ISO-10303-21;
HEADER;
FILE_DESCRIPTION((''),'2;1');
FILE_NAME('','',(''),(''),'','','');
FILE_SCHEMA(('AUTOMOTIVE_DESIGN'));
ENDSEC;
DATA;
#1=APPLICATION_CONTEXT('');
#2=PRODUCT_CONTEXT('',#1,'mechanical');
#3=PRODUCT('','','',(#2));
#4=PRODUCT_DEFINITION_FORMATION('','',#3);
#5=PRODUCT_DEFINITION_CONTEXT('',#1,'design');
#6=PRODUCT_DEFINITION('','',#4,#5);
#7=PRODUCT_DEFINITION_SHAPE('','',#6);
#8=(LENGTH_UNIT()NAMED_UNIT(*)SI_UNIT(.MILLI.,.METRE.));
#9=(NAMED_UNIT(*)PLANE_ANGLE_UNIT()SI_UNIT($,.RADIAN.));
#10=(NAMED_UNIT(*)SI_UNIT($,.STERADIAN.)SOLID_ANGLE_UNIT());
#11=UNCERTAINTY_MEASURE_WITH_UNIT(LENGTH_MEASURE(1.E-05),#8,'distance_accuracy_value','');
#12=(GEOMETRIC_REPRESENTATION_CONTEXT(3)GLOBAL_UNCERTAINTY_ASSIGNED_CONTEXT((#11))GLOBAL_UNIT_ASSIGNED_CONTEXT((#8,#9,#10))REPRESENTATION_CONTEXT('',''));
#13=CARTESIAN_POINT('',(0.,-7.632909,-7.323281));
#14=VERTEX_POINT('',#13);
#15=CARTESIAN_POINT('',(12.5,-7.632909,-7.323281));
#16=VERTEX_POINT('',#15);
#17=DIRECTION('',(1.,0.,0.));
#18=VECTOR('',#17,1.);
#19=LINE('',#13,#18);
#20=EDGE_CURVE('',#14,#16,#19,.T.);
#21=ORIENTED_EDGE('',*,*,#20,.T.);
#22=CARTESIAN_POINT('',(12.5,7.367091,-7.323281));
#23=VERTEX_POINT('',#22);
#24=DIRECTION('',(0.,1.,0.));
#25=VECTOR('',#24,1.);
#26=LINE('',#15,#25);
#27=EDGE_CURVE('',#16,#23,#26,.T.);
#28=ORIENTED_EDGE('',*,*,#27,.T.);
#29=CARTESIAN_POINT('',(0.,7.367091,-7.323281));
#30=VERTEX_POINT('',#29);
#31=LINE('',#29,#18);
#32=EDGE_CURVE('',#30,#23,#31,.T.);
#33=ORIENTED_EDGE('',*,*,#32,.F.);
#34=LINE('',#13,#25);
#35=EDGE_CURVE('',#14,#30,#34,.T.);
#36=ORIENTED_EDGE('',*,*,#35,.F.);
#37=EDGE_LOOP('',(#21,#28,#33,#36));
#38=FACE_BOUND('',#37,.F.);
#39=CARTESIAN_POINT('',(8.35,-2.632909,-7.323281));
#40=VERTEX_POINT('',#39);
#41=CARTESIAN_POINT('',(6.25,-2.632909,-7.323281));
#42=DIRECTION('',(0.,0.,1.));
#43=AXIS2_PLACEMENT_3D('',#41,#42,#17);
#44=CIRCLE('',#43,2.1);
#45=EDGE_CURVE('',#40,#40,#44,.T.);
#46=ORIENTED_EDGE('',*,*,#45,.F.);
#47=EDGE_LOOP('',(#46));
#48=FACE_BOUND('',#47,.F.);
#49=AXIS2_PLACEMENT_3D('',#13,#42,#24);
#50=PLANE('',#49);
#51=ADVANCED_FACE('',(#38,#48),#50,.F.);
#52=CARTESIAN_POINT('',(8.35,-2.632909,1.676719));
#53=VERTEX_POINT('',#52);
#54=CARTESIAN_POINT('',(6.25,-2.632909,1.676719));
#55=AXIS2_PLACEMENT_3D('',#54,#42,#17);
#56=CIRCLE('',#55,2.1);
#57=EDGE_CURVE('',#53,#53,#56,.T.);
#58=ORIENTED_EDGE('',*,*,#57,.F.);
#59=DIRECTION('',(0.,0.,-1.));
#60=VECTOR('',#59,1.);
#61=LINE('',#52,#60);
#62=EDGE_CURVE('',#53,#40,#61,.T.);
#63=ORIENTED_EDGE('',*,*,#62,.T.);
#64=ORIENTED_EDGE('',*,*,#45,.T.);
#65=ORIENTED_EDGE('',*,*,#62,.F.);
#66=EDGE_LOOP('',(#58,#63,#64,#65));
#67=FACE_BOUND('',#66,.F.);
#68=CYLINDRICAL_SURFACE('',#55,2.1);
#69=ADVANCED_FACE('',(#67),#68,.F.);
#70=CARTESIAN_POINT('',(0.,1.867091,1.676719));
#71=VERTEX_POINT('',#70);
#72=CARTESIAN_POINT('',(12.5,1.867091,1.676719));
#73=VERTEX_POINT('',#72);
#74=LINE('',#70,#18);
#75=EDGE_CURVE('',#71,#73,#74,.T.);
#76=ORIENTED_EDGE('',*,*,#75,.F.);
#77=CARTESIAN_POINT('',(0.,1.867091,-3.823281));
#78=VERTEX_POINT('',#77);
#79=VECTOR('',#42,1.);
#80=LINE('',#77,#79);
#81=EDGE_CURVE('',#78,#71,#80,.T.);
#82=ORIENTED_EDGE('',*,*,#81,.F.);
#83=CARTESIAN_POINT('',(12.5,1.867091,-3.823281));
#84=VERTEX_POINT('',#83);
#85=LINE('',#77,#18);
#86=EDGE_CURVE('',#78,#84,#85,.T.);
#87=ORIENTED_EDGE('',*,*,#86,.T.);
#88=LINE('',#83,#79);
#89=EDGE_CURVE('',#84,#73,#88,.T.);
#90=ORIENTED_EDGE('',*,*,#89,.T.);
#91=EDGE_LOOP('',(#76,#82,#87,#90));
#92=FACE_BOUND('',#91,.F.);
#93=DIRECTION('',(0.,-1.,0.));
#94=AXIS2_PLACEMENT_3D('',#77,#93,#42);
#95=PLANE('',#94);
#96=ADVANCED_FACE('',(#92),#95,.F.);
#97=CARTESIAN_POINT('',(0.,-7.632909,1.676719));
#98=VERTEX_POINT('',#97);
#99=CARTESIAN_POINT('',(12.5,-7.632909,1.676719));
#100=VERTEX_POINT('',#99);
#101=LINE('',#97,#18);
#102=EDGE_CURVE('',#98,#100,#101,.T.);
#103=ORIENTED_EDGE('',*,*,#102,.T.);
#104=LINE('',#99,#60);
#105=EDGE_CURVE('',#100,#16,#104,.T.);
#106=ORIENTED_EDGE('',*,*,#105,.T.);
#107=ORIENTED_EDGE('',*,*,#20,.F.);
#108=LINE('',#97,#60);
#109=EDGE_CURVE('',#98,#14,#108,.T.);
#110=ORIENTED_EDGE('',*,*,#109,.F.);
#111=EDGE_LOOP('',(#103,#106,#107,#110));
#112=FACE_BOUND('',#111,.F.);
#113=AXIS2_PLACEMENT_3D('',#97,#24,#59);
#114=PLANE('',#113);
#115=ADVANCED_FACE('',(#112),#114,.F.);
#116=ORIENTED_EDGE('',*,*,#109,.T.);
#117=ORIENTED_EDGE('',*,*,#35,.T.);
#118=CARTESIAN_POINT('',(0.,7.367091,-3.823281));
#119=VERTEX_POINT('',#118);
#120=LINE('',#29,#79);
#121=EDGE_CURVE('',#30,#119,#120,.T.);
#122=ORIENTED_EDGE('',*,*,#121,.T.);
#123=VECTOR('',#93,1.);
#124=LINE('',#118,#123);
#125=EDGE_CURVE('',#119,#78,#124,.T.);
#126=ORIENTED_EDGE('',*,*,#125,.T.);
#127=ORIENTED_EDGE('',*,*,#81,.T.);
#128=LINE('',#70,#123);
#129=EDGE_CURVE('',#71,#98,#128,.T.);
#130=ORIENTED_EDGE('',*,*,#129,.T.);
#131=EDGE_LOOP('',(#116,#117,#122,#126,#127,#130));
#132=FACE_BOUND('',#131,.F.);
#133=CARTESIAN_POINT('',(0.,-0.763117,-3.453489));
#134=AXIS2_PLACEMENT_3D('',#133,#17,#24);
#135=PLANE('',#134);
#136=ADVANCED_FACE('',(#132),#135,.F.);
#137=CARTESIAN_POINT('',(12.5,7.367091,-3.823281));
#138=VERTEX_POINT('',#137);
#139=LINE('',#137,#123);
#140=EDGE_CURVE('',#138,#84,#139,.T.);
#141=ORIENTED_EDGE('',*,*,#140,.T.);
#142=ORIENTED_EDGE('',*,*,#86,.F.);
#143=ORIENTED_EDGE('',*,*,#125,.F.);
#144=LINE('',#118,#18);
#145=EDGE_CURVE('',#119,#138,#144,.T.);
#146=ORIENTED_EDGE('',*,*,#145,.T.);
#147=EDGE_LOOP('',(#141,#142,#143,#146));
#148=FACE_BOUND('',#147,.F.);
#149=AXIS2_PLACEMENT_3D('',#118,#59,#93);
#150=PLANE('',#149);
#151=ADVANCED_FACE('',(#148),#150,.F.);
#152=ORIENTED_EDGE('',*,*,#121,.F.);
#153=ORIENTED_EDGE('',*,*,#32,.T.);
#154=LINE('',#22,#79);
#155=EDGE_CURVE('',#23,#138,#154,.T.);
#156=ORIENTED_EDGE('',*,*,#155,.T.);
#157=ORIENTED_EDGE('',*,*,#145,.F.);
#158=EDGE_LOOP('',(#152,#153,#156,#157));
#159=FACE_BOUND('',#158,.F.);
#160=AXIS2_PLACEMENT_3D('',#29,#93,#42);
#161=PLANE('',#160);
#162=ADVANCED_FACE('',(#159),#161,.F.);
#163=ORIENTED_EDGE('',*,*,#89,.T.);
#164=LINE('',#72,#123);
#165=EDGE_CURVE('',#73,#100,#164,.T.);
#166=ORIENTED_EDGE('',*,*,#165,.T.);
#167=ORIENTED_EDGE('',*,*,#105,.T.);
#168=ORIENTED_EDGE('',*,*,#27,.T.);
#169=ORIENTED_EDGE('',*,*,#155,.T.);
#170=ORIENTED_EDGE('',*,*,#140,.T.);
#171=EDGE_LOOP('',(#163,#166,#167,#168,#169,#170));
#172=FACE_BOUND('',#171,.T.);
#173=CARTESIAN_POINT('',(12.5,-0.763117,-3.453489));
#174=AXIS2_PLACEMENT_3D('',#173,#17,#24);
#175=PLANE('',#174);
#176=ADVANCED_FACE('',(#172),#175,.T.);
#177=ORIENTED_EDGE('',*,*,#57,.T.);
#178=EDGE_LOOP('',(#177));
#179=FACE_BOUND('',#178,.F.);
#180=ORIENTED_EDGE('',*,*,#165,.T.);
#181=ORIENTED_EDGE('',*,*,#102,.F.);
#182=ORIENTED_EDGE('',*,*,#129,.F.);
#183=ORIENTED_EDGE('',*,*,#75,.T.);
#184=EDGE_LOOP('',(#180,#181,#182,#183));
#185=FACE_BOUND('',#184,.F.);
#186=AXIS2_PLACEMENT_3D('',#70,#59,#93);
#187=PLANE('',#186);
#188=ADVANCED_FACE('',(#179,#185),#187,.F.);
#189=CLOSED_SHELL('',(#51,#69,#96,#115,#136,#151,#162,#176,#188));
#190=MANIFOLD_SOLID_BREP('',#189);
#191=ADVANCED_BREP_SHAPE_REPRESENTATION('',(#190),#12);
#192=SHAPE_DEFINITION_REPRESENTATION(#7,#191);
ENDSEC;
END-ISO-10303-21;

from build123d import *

# Parameters (mm, degrees)
F1_DEPTH = 12.5
F2_R     = 2.1
F3_DEPTH = 25


with BuildPart() as f1:
    # F0 (on Right) → F1 (new body)
    with BuildSketch(Plane.YZ):
        Polygon((1.867091, 1.676719), (-7.632909, 1.676719), (-7.632909, -7.323281), (7.367091, -7.323281), (7.367091, -3.823281), (1.867091, -3.823281), align=None)
    extrude(amount=F1_DEPTH)

    # F2 (on face) → F3 (cut)
    with BuildSketch(Plane.XY.offset(1.676719)):
        with Locations((6.25, -2.632909)):
            Circle(F2_R)
    extrude(amount=-F3_DEPTH, mode=Mode.SUBTRACT)


solid = f1.part
